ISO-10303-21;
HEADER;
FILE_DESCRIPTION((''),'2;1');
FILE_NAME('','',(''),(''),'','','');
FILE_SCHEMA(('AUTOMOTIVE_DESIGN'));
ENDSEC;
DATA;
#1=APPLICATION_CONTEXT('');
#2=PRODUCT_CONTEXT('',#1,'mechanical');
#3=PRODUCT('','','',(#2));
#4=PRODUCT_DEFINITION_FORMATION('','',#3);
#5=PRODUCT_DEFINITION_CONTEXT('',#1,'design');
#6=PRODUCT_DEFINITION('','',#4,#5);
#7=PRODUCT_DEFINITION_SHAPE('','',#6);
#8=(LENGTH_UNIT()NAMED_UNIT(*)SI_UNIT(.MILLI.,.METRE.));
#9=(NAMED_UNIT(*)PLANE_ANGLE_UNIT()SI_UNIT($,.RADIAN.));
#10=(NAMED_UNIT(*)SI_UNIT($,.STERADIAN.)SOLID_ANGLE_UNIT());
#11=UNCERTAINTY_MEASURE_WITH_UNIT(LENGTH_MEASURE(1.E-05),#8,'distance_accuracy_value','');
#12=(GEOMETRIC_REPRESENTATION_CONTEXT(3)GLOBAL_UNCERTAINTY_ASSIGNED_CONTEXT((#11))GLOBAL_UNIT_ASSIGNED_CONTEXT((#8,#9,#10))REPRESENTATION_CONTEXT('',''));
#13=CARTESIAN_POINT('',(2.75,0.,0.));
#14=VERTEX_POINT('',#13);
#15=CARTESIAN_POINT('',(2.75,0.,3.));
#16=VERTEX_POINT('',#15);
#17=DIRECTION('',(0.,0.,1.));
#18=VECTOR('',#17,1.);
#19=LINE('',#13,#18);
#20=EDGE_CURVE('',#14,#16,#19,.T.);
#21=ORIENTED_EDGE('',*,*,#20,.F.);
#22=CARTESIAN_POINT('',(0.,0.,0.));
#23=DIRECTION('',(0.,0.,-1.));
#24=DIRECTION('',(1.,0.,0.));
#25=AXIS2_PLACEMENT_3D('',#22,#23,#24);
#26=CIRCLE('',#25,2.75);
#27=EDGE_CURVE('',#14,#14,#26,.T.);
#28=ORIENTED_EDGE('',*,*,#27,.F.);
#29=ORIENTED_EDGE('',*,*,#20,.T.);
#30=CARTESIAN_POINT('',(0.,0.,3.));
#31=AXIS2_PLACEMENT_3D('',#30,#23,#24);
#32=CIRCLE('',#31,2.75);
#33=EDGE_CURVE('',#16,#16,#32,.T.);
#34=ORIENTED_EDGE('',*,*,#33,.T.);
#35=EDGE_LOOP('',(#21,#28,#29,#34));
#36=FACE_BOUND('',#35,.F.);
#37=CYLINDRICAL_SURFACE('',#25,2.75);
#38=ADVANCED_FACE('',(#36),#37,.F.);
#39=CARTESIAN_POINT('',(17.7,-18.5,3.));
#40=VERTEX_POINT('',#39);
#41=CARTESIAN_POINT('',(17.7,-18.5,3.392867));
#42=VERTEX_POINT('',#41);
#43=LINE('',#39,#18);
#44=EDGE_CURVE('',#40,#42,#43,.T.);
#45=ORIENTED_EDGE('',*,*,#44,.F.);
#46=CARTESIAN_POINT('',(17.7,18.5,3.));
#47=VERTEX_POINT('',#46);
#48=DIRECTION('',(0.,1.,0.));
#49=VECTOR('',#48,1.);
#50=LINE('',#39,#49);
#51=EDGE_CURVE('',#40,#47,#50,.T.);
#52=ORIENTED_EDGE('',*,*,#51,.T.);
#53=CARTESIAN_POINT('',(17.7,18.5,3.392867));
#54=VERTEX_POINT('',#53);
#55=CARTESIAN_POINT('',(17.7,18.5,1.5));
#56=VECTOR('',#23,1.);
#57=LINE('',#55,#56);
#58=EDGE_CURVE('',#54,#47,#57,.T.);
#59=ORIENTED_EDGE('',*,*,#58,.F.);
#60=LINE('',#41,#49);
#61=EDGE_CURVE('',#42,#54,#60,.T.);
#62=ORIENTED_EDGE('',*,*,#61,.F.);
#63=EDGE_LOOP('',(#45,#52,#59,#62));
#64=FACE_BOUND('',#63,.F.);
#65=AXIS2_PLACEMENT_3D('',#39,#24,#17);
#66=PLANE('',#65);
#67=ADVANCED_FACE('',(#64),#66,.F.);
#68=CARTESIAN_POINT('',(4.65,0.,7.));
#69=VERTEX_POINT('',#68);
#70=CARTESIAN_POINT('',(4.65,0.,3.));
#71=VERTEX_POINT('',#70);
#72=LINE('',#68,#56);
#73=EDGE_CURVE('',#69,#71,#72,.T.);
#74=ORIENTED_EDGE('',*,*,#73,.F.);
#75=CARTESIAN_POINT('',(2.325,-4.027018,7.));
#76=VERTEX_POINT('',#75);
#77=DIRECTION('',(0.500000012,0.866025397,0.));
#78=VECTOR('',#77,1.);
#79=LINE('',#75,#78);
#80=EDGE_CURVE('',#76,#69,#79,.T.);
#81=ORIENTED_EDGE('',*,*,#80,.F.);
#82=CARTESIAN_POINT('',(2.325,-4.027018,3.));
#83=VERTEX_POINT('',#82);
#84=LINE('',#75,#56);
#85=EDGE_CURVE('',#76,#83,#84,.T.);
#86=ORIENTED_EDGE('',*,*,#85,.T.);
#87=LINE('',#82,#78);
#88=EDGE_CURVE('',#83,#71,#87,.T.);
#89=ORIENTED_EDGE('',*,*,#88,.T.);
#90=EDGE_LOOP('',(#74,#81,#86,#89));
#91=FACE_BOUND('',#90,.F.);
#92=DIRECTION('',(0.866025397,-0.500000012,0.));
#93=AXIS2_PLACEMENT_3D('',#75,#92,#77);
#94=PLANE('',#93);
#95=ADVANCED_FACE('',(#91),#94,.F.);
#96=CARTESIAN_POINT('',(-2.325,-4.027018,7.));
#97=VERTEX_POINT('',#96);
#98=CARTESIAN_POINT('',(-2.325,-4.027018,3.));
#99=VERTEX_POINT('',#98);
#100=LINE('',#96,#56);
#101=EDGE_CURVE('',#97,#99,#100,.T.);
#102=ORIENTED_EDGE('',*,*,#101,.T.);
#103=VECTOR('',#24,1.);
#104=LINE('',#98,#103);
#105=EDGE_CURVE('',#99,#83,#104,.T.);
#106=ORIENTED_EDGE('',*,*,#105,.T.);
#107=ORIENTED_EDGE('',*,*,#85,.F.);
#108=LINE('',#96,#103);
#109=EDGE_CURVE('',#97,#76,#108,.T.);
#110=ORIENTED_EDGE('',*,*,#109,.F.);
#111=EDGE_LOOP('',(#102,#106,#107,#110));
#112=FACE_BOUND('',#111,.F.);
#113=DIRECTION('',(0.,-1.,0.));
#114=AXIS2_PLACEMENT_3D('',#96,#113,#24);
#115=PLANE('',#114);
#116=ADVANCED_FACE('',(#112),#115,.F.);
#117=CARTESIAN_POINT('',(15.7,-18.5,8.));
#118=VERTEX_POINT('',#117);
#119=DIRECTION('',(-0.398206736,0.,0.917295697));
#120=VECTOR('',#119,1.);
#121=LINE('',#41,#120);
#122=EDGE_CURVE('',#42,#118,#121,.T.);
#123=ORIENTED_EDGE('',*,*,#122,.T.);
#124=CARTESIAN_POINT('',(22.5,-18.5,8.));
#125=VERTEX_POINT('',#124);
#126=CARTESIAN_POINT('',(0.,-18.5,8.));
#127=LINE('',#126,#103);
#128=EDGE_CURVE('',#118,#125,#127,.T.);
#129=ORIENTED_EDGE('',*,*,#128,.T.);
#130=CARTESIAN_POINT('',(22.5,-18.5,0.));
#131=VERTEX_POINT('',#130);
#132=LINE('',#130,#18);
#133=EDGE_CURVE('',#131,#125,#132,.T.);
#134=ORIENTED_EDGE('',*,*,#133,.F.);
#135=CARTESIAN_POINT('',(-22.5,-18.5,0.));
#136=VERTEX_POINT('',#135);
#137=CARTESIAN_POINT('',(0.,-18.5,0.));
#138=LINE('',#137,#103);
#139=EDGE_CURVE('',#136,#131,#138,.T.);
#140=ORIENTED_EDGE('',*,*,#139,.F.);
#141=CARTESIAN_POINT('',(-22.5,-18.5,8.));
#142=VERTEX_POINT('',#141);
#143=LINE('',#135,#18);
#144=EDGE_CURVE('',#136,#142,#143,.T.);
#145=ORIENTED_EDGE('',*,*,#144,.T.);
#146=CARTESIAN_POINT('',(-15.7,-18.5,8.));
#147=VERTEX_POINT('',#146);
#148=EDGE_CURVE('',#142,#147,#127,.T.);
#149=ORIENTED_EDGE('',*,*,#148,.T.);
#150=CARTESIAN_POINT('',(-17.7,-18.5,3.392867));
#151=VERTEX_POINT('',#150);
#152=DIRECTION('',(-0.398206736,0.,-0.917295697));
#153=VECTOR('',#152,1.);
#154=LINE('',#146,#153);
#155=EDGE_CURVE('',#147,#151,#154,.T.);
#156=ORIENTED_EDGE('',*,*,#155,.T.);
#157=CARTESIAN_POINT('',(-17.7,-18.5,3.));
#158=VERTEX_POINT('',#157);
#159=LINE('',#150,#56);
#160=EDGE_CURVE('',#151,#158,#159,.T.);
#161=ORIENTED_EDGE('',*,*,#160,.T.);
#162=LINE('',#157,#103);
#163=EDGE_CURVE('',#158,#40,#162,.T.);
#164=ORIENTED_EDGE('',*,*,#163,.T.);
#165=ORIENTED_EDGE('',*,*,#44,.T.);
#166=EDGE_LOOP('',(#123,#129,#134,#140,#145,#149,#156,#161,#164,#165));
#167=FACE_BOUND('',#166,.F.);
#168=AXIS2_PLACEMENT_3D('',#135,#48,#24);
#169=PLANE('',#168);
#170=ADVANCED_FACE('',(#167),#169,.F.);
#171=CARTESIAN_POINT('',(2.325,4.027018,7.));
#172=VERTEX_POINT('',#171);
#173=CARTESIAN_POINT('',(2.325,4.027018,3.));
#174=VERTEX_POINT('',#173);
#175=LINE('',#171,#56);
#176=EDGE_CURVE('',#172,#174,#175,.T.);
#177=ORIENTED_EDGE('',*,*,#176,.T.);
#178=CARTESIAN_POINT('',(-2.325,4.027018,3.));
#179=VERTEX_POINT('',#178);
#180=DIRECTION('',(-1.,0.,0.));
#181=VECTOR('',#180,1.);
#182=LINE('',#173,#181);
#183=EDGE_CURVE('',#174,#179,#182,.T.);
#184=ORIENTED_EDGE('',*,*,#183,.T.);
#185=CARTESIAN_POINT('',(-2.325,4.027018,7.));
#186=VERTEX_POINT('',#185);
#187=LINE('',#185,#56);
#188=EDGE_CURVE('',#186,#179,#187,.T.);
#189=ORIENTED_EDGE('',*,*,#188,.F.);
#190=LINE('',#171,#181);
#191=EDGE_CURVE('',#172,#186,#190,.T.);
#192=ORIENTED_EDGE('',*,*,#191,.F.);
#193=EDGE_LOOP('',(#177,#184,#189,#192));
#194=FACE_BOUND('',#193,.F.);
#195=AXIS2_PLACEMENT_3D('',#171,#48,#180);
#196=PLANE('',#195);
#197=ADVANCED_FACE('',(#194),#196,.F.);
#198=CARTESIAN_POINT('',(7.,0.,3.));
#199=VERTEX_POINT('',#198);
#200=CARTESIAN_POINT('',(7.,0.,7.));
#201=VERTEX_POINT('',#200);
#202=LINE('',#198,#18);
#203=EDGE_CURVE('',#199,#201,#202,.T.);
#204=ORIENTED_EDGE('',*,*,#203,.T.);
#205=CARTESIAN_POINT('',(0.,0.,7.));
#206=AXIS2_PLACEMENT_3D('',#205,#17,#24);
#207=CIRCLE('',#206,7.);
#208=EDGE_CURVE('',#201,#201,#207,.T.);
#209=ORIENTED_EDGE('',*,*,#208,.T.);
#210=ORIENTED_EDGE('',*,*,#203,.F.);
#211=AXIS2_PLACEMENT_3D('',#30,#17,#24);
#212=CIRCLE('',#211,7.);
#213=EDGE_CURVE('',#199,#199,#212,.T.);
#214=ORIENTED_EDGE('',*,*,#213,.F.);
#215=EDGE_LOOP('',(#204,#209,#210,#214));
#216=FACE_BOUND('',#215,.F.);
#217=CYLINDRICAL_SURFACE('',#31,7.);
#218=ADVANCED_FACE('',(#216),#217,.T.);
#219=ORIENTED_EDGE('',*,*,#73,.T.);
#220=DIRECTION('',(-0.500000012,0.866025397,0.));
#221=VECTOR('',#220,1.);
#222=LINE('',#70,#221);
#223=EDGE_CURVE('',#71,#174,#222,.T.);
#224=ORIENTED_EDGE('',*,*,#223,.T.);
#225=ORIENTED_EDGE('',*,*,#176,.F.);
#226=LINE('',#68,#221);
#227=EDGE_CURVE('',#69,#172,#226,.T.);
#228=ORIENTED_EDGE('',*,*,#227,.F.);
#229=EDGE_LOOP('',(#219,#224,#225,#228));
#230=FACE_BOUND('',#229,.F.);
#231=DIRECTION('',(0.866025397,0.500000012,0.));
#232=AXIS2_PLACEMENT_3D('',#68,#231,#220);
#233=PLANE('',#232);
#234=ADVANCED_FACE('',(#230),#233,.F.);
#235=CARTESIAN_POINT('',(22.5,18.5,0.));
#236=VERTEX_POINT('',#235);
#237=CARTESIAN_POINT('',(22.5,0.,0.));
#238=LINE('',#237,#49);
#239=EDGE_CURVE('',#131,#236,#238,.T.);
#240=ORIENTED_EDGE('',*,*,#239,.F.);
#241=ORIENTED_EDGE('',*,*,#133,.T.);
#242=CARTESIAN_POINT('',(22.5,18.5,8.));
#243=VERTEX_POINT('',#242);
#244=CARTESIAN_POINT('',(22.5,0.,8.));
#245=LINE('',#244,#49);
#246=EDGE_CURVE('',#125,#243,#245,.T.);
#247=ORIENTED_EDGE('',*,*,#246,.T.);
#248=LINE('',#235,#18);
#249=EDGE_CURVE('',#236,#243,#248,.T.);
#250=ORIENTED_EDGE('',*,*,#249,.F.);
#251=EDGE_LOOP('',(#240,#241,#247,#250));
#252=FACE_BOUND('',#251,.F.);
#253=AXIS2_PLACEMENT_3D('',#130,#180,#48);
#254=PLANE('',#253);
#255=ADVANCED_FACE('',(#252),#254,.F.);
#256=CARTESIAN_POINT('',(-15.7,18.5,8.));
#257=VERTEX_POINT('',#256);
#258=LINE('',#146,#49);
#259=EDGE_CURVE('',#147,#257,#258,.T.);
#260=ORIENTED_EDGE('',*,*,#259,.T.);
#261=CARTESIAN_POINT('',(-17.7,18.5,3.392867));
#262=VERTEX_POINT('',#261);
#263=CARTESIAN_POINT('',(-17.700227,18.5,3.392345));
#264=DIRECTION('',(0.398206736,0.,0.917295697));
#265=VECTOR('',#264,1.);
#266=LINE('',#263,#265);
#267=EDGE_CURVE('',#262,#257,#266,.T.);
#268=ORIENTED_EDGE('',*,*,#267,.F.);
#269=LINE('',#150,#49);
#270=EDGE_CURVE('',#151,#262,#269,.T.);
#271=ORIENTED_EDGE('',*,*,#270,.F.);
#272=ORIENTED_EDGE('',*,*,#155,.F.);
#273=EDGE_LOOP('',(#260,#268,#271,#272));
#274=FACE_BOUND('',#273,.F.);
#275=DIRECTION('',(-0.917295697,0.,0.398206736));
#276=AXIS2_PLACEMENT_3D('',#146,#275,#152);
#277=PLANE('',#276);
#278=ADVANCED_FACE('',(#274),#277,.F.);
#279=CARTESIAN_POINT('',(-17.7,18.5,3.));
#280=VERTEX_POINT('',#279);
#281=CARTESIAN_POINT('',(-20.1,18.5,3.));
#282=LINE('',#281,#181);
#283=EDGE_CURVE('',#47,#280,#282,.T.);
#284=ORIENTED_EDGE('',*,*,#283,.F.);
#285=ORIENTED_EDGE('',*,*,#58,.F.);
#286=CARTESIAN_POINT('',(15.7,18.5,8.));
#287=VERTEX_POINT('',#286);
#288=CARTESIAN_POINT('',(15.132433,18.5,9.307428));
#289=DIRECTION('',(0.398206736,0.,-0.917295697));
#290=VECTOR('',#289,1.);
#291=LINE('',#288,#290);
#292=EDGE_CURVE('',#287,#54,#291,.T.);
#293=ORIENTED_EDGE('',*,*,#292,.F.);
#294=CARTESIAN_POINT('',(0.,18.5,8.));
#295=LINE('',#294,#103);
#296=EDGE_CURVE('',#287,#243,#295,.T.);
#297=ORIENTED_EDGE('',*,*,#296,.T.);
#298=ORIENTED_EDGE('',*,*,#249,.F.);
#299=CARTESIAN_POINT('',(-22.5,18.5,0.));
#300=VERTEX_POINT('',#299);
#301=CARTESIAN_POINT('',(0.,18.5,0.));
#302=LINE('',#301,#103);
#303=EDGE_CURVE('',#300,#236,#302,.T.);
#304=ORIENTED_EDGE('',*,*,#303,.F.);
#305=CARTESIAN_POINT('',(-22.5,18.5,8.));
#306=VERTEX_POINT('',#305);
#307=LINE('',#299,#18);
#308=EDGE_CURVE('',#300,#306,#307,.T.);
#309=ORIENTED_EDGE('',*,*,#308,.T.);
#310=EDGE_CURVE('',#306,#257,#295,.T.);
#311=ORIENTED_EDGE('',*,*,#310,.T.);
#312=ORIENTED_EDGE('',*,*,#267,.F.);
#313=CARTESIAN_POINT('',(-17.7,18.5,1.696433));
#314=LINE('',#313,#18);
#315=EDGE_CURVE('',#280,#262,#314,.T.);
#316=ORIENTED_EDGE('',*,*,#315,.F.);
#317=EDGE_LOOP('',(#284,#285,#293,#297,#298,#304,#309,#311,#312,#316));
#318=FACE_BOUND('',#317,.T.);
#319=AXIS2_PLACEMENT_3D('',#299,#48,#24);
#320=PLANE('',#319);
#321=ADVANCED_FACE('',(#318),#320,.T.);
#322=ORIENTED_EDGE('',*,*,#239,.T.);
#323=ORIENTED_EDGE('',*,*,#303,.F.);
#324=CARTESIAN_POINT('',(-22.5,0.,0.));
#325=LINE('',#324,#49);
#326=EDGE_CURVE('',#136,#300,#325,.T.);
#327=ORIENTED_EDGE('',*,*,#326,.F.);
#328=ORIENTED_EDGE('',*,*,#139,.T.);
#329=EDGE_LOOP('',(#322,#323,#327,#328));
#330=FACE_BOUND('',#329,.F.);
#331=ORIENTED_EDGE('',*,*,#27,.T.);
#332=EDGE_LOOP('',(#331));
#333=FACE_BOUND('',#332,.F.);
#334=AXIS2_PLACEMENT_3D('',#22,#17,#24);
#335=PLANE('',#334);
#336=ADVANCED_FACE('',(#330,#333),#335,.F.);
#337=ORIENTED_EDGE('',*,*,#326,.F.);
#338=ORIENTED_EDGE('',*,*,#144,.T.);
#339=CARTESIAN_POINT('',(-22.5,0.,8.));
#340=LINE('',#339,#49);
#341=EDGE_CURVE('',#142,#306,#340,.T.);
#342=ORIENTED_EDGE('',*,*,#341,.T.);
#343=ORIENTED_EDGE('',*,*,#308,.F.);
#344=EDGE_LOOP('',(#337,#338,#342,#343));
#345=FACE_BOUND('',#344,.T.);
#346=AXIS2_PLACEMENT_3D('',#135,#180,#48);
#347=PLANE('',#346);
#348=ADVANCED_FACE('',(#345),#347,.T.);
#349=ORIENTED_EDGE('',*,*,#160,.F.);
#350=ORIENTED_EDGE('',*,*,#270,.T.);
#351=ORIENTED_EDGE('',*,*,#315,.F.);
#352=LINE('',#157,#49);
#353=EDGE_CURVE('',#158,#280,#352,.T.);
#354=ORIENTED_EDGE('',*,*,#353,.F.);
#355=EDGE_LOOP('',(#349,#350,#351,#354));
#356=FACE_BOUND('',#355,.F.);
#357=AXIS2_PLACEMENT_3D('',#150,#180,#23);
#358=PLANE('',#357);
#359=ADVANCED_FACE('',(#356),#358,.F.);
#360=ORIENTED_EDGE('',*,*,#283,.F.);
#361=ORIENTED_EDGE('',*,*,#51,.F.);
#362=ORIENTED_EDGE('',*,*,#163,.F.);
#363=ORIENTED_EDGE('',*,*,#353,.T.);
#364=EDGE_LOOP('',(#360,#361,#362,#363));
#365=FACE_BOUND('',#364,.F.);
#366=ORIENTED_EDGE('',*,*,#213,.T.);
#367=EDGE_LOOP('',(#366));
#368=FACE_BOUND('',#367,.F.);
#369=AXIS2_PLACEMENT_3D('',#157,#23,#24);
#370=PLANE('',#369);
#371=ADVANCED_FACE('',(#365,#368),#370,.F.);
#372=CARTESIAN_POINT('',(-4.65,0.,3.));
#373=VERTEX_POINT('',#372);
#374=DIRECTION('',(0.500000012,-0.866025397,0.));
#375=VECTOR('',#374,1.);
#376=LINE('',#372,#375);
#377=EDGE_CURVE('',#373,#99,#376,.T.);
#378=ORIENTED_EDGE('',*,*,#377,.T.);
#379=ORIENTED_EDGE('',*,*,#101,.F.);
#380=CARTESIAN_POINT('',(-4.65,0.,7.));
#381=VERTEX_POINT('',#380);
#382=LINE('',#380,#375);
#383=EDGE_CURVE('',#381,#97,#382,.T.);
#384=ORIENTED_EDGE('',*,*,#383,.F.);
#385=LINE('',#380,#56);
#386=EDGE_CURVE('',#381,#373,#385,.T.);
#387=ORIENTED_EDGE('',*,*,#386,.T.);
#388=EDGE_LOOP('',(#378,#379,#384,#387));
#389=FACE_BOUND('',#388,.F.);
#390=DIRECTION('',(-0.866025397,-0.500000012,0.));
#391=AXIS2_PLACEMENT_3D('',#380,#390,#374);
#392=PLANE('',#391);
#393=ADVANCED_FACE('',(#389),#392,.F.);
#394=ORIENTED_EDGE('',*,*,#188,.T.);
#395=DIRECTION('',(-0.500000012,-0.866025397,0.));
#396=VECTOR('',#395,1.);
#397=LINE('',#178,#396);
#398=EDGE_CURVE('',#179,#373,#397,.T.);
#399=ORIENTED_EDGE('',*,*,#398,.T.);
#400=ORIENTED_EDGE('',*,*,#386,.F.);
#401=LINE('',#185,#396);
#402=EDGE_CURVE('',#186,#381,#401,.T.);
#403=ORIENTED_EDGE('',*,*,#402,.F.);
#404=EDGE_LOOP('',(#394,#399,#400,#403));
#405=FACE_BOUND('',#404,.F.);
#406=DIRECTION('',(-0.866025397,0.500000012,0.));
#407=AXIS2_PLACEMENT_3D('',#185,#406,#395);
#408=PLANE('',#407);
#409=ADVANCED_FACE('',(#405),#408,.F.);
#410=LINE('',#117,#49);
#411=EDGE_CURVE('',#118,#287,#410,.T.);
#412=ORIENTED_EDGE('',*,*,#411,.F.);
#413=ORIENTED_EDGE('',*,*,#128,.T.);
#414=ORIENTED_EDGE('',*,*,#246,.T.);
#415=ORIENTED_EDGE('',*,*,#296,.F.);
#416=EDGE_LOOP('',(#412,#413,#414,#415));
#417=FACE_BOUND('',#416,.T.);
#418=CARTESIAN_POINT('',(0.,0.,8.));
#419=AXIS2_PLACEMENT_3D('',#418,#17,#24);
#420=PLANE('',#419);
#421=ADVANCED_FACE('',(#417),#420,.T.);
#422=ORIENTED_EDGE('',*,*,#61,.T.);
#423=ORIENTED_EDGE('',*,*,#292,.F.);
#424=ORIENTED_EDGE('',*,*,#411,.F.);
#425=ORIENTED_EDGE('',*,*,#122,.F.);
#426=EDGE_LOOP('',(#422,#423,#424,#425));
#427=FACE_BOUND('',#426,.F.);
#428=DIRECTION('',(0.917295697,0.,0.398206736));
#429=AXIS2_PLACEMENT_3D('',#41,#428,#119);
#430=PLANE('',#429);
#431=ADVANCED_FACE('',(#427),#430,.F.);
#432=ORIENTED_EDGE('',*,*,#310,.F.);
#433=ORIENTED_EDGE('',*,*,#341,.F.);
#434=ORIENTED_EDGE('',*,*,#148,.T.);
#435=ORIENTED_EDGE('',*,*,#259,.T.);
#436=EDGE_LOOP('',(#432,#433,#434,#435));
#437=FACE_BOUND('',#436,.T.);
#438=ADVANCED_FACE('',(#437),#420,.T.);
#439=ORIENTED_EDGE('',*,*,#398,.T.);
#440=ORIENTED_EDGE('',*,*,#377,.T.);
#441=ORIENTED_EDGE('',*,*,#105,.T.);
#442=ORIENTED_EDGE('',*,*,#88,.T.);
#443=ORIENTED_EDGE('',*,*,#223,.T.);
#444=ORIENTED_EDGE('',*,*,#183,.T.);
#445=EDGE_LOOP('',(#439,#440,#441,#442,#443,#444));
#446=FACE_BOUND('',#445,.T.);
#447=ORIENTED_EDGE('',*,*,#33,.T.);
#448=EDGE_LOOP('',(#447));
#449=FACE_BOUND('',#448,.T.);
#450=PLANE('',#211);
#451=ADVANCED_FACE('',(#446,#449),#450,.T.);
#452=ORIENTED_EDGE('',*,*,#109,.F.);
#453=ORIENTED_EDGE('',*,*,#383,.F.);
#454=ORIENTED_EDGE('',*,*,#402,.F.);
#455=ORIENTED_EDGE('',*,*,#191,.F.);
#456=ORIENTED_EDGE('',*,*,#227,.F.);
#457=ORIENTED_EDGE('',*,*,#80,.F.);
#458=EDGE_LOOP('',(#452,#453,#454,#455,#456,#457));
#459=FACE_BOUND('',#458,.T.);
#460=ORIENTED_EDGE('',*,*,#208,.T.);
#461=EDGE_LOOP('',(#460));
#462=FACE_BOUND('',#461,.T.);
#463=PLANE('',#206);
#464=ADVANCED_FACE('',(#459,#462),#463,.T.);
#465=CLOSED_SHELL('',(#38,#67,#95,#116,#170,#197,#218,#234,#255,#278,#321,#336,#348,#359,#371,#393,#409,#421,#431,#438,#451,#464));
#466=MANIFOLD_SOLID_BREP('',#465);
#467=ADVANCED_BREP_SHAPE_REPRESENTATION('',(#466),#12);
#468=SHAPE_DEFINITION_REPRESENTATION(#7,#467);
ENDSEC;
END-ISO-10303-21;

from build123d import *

# Parameters (mm, degrees)
F0_W     = 45
F0_H     = 37
F1_DEPTH = 8
F3_DEPTH = 37.001
F5_R     = 7
F6_DEPTH = 4
F4_R     = 2.75
F7_DEPTH = 25
F9_DEPTH = 4


with BuildPart() as f1:
    # F0 (on Top) → F1 (new body)
    with BuildSketch(Plane.XY):
        Rectangle(F0_W, F0_H)
    extrude(amount=F1_DEPTH)

    # F2 (on face) → F3 (cut, through all)
    with BuildSketch(Plane.XZ.offset(18.5)):
        Polygon((15.7, 8), (-15.7, 8), (-17.7, 3.392867), (-17.7, 3), (17.7, 3), (17.7, 3.392867), align=None)
    extrude(amount=-F3_DEPTH, mode=Mode.SUBTRACT)

    # F5 (on face) → F6 (join)
    with BuildSketch(Plane.XY.offset(3)):
        Circle(F5_R)
    extrude(amount=F6_DEPTH)

    # F4 (on face) → F7 (cut)
    with BuildSketch(Plane(origin=(0, 0, 0), x_dir=(1, 0, 0), z_dir=(0, 0, -1))):
        Circle(F4_R)
    extrude(amount=-F7_DEPTH, mode=Mode.SUBTRACT)

    # F8 (on face) → F9 (cut)
    with BuildSketch(Plane.XY.offset(7)):
        Polygon((2.325, -4.027018), (4.65, 0), (2.325, 4.027018), (-2.325, 4.027018), (-4.65, 0), (-2.325, -4.027018), align=None)
    extrude(amount=-F9_DEPTH, mode=Mode.SUBTRACT)


solid = f1.part
